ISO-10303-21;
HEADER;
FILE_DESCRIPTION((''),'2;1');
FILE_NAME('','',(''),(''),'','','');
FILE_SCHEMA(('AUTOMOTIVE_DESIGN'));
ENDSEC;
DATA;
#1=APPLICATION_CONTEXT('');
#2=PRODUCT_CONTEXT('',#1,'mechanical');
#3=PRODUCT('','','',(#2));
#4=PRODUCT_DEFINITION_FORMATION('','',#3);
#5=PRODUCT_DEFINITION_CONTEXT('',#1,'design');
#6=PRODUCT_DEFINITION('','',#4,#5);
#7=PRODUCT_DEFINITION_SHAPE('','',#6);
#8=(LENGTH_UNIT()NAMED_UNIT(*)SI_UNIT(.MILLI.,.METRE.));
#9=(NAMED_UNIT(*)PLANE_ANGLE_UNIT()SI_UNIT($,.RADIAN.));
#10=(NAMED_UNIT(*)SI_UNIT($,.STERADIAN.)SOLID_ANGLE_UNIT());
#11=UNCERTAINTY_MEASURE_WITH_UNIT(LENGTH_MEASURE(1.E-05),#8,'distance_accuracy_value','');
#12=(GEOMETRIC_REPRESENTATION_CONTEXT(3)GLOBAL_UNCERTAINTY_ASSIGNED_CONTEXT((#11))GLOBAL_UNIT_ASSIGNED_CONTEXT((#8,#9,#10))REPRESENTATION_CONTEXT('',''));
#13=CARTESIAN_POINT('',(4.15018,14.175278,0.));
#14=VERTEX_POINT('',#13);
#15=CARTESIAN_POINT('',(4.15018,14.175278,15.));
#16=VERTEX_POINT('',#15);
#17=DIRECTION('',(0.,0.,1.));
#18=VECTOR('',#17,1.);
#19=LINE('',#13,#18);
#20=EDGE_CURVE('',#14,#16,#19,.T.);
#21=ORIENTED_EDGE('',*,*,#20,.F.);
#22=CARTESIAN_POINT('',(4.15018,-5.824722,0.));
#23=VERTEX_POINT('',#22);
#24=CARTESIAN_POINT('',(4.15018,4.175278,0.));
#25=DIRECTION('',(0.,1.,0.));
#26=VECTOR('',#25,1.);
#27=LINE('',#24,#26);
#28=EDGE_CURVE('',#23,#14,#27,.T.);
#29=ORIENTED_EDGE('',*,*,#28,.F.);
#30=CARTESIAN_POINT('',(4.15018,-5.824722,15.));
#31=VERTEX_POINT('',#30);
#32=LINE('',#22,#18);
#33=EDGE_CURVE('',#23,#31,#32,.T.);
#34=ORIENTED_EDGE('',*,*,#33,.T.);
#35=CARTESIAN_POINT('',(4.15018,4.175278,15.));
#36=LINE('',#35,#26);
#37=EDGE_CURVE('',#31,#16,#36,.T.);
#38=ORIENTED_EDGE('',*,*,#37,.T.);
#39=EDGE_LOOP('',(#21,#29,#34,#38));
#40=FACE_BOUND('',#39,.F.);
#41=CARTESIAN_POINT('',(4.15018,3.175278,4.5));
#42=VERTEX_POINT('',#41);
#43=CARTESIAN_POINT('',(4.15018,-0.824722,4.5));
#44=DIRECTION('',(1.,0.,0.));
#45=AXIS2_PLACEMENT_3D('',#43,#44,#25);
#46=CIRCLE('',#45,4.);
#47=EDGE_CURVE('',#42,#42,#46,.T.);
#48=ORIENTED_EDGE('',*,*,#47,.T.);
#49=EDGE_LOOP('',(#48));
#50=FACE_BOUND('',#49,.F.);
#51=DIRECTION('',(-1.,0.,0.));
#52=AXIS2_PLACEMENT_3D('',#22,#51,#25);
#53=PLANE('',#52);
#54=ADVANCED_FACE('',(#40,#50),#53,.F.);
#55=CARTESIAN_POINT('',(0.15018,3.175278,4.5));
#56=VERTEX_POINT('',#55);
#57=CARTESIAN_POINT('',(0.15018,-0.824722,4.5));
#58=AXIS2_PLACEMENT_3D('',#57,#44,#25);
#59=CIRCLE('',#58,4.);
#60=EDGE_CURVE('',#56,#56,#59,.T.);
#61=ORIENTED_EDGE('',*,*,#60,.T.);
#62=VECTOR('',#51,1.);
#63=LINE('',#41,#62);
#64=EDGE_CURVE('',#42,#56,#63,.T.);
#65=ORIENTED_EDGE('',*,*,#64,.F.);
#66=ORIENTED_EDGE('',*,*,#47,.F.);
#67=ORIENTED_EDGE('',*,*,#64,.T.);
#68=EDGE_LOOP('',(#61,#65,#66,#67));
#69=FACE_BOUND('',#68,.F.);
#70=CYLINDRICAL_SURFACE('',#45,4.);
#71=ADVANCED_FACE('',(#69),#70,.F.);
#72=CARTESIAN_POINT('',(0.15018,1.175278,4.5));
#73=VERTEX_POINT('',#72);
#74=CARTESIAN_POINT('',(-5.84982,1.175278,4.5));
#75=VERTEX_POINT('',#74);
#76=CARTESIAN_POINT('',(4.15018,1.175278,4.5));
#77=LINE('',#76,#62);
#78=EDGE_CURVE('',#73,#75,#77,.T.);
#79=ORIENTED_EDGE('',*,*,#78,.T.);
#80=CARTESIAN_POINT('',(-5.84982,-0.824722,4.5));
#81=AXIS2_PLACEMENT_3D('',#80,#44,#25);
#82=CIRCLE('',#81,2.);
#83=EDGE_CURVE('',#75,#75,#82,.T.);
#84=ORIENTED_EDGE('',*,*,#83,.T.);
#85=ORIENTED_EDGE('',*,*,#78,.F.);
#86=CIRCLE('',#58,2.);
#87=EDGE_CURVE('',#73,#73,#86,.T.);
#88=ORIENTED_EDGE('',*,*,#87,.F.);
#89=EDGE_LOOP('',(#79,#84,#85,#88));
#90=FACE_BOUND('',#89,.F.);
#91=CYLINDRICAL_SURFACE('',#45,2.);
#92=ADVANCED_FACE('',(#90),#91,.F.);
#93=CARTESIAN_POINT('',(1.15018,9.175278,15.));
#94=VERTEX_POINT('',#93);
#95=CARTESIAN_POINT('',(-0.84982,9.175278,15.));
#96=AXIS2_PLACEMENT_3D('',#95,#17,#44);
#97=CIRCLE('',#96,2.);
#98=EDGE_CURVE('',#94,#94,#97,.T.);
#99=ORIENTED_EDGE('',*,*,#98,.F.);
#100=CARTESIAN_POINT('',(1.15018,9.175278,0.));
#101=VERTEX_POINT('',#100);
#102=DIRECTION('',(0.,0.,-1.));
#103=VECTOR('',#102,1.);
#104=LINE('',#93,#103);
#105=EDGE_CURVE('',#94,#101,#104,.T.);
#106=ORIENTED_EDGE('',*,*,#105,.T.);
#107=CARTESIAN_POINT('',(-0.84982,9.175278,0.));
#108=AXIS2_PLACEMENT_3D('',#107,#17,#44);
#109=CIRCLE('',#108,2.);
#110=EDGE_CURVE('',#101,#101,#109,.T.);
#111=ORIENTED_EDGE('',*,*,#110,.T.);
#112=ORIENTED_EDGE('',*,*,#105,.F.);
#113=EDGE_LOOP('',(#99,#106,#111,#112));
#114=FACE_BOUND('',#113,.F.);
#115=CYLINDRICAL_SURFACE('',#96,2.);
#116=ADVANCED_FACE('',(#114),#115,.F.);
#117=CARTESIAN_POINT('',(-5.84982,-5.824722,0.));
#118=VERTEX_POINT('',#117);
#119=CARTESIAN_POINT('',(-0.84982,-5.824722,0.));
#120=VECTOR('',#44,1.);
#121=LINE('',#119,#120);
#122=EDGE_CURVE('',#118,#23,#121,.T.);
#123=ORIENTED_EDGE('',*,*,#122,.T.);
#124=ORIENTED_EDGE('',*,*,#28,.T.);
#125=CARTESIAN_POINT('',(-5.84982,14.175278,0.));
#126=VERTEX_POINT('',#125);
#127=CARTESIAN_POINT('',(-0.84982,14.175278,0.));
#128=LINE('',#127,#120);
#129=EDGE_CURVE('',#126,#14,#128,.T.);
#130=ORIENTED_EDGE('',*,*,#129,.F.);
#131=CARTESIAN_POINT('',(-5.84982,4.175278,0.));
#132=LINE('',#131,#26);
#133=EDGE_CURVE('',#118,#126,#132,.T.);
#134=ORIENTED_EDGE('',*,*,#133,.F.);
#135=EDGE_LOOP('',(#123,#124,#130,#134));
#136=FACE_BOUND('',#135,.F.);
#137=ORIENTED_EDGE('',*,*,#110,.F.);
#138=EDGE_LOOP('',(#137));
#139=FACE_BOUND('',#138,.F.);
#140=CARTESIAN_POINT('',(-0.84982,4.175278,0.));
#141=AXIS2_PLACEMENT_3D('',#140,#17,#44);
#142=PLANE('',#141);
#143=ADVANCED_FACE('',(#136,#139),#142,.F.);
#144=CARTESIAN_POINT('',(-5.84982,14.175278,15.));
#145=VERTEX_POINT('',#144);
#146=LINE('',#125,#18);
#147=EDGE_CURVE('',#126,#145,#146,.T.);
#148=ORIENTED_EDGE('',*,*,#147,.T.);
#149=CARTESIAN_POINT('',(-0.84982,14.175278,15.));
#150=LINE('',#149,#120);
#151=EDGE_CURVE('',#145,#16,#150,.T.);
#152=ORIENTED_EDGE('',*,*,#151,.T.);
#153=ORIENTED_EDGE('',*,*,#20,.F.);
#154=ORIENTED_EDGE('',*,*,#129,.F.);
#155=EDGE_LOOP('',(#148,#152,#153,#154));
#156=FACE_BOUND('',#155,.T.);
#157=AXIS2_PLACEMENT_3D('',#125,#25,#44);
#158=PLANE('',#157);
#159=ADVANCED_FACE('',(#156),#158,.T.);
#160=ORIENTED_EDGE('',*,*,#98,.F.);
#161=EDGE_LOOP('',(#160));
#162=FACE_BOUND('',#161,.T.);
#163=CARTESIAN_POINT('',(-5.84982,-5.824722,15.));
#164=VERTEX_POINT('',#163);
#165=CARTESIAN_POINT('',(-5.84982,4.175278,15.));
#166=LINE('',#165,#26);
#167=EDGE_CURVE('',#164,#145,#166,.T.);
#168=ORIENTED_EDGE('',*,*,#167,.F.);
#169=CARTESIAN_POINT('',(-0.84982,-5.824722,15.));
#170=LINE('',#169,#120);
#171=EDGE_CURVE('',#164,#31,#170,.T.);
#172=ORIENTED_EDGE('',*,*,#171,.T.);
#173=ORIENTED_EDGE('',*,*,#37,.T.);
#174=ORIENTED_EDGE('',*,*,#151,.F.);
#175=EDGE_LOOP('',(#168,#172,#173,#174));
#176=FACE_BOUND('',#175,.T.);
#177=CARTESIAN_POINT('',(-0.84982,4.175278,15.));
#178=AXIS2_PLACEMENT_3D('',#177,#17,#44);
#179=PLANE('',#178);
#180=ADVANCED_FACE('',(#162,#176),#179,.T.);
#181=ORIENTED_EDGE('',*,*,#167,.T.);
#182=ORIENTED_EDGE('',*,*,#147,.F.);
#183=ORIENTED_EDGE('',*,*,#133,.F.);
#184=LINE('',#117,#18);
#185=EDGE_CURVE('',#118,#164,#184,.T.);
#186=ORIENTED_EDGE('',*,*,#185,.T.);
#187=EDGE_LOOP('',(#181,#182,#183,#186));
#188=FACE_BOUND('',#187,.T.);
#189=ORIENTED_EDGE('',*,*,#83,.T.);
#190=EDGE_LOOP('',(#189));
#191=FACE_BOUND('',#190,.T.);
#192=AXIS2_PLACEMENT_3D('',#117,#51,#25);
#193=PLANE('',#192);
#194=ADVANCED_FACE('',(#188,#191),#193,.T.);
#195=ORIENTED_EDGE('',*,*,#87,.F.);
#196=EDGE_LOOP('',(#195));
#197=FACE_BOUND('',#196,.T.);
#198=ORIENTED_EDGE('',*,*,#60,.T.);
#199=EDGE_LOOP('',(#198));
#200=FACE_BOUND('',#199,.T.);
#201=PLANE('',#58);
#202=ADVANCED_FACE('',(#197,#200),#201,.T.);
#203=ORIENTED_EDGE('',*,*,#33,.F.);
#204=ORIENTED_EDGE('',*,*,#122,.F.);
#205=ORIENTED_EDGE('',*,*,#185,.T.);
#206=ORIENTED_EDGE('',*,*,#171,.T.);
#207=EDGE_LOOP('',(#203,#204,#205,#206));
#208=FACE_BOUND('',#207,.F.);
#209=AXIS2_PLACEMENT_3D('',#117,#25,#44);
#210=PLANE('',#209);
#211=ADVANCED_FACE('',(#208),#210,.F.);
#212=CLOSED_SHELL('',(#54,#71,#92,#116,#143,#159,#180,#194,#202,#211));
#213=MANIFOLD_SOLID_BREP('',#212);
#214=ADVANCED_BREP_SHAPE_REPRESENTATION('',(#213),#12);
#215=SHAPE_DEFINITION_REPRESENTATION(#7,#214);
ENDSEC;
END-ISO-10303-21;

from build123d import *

# Parameters (mm, degrees)
F0_W     = 10
F0_H     = 20
F1_DEPTH = 15
F2_R     = 2
F3_DEPTH = 20
F2_R_2   = 4
F4_DEPTH = 4
F5_R     = 2
F6_DEPTH = 20


with BuildPart() as f1:
    # F0 (on Top) → F1 (new body)
    with BuildSketch(Plane.XY):
        with Locations((-0.84982, 4.175278)):
            Rectangle(F0_W, F0_H)
    extrude(amount=F1_DEPTH)

    # F2 (on face) → F3 (cut)
    with BuildSketch(Plane.YZ.offset(4.15018)):
        with Locations((-0.824722, 4.5)):
            Circle(F2_R)
    extrude(amount=-F3_DEPTH, mode=Mode.SUBTRACT)

    # F2 (on face) → F4 (cut)
    with BuildSketch(Plane.YZ.offset(4.15018)):
        with Locations((-0.824722, 4.5)):
            Circle(F2_R_2)
        with Locations((-0.824722, 4.5)):
            Circle(F2_R, mode=Mode.SUBTRACT)
    extrude(amount=-F4_DEPTH, mode=Mode.SUBTRACT)

    # F5 (on face) → F6 (cut)
    with BuildSketch(Plane.XY.offset(15)):
        with Locations((-0.84982, 9.175278)):
            Circle(F5_R)
    extrude(amount=-F6_DEPTH, mode=Mode.SUBTRACT)


solid = f1.part
